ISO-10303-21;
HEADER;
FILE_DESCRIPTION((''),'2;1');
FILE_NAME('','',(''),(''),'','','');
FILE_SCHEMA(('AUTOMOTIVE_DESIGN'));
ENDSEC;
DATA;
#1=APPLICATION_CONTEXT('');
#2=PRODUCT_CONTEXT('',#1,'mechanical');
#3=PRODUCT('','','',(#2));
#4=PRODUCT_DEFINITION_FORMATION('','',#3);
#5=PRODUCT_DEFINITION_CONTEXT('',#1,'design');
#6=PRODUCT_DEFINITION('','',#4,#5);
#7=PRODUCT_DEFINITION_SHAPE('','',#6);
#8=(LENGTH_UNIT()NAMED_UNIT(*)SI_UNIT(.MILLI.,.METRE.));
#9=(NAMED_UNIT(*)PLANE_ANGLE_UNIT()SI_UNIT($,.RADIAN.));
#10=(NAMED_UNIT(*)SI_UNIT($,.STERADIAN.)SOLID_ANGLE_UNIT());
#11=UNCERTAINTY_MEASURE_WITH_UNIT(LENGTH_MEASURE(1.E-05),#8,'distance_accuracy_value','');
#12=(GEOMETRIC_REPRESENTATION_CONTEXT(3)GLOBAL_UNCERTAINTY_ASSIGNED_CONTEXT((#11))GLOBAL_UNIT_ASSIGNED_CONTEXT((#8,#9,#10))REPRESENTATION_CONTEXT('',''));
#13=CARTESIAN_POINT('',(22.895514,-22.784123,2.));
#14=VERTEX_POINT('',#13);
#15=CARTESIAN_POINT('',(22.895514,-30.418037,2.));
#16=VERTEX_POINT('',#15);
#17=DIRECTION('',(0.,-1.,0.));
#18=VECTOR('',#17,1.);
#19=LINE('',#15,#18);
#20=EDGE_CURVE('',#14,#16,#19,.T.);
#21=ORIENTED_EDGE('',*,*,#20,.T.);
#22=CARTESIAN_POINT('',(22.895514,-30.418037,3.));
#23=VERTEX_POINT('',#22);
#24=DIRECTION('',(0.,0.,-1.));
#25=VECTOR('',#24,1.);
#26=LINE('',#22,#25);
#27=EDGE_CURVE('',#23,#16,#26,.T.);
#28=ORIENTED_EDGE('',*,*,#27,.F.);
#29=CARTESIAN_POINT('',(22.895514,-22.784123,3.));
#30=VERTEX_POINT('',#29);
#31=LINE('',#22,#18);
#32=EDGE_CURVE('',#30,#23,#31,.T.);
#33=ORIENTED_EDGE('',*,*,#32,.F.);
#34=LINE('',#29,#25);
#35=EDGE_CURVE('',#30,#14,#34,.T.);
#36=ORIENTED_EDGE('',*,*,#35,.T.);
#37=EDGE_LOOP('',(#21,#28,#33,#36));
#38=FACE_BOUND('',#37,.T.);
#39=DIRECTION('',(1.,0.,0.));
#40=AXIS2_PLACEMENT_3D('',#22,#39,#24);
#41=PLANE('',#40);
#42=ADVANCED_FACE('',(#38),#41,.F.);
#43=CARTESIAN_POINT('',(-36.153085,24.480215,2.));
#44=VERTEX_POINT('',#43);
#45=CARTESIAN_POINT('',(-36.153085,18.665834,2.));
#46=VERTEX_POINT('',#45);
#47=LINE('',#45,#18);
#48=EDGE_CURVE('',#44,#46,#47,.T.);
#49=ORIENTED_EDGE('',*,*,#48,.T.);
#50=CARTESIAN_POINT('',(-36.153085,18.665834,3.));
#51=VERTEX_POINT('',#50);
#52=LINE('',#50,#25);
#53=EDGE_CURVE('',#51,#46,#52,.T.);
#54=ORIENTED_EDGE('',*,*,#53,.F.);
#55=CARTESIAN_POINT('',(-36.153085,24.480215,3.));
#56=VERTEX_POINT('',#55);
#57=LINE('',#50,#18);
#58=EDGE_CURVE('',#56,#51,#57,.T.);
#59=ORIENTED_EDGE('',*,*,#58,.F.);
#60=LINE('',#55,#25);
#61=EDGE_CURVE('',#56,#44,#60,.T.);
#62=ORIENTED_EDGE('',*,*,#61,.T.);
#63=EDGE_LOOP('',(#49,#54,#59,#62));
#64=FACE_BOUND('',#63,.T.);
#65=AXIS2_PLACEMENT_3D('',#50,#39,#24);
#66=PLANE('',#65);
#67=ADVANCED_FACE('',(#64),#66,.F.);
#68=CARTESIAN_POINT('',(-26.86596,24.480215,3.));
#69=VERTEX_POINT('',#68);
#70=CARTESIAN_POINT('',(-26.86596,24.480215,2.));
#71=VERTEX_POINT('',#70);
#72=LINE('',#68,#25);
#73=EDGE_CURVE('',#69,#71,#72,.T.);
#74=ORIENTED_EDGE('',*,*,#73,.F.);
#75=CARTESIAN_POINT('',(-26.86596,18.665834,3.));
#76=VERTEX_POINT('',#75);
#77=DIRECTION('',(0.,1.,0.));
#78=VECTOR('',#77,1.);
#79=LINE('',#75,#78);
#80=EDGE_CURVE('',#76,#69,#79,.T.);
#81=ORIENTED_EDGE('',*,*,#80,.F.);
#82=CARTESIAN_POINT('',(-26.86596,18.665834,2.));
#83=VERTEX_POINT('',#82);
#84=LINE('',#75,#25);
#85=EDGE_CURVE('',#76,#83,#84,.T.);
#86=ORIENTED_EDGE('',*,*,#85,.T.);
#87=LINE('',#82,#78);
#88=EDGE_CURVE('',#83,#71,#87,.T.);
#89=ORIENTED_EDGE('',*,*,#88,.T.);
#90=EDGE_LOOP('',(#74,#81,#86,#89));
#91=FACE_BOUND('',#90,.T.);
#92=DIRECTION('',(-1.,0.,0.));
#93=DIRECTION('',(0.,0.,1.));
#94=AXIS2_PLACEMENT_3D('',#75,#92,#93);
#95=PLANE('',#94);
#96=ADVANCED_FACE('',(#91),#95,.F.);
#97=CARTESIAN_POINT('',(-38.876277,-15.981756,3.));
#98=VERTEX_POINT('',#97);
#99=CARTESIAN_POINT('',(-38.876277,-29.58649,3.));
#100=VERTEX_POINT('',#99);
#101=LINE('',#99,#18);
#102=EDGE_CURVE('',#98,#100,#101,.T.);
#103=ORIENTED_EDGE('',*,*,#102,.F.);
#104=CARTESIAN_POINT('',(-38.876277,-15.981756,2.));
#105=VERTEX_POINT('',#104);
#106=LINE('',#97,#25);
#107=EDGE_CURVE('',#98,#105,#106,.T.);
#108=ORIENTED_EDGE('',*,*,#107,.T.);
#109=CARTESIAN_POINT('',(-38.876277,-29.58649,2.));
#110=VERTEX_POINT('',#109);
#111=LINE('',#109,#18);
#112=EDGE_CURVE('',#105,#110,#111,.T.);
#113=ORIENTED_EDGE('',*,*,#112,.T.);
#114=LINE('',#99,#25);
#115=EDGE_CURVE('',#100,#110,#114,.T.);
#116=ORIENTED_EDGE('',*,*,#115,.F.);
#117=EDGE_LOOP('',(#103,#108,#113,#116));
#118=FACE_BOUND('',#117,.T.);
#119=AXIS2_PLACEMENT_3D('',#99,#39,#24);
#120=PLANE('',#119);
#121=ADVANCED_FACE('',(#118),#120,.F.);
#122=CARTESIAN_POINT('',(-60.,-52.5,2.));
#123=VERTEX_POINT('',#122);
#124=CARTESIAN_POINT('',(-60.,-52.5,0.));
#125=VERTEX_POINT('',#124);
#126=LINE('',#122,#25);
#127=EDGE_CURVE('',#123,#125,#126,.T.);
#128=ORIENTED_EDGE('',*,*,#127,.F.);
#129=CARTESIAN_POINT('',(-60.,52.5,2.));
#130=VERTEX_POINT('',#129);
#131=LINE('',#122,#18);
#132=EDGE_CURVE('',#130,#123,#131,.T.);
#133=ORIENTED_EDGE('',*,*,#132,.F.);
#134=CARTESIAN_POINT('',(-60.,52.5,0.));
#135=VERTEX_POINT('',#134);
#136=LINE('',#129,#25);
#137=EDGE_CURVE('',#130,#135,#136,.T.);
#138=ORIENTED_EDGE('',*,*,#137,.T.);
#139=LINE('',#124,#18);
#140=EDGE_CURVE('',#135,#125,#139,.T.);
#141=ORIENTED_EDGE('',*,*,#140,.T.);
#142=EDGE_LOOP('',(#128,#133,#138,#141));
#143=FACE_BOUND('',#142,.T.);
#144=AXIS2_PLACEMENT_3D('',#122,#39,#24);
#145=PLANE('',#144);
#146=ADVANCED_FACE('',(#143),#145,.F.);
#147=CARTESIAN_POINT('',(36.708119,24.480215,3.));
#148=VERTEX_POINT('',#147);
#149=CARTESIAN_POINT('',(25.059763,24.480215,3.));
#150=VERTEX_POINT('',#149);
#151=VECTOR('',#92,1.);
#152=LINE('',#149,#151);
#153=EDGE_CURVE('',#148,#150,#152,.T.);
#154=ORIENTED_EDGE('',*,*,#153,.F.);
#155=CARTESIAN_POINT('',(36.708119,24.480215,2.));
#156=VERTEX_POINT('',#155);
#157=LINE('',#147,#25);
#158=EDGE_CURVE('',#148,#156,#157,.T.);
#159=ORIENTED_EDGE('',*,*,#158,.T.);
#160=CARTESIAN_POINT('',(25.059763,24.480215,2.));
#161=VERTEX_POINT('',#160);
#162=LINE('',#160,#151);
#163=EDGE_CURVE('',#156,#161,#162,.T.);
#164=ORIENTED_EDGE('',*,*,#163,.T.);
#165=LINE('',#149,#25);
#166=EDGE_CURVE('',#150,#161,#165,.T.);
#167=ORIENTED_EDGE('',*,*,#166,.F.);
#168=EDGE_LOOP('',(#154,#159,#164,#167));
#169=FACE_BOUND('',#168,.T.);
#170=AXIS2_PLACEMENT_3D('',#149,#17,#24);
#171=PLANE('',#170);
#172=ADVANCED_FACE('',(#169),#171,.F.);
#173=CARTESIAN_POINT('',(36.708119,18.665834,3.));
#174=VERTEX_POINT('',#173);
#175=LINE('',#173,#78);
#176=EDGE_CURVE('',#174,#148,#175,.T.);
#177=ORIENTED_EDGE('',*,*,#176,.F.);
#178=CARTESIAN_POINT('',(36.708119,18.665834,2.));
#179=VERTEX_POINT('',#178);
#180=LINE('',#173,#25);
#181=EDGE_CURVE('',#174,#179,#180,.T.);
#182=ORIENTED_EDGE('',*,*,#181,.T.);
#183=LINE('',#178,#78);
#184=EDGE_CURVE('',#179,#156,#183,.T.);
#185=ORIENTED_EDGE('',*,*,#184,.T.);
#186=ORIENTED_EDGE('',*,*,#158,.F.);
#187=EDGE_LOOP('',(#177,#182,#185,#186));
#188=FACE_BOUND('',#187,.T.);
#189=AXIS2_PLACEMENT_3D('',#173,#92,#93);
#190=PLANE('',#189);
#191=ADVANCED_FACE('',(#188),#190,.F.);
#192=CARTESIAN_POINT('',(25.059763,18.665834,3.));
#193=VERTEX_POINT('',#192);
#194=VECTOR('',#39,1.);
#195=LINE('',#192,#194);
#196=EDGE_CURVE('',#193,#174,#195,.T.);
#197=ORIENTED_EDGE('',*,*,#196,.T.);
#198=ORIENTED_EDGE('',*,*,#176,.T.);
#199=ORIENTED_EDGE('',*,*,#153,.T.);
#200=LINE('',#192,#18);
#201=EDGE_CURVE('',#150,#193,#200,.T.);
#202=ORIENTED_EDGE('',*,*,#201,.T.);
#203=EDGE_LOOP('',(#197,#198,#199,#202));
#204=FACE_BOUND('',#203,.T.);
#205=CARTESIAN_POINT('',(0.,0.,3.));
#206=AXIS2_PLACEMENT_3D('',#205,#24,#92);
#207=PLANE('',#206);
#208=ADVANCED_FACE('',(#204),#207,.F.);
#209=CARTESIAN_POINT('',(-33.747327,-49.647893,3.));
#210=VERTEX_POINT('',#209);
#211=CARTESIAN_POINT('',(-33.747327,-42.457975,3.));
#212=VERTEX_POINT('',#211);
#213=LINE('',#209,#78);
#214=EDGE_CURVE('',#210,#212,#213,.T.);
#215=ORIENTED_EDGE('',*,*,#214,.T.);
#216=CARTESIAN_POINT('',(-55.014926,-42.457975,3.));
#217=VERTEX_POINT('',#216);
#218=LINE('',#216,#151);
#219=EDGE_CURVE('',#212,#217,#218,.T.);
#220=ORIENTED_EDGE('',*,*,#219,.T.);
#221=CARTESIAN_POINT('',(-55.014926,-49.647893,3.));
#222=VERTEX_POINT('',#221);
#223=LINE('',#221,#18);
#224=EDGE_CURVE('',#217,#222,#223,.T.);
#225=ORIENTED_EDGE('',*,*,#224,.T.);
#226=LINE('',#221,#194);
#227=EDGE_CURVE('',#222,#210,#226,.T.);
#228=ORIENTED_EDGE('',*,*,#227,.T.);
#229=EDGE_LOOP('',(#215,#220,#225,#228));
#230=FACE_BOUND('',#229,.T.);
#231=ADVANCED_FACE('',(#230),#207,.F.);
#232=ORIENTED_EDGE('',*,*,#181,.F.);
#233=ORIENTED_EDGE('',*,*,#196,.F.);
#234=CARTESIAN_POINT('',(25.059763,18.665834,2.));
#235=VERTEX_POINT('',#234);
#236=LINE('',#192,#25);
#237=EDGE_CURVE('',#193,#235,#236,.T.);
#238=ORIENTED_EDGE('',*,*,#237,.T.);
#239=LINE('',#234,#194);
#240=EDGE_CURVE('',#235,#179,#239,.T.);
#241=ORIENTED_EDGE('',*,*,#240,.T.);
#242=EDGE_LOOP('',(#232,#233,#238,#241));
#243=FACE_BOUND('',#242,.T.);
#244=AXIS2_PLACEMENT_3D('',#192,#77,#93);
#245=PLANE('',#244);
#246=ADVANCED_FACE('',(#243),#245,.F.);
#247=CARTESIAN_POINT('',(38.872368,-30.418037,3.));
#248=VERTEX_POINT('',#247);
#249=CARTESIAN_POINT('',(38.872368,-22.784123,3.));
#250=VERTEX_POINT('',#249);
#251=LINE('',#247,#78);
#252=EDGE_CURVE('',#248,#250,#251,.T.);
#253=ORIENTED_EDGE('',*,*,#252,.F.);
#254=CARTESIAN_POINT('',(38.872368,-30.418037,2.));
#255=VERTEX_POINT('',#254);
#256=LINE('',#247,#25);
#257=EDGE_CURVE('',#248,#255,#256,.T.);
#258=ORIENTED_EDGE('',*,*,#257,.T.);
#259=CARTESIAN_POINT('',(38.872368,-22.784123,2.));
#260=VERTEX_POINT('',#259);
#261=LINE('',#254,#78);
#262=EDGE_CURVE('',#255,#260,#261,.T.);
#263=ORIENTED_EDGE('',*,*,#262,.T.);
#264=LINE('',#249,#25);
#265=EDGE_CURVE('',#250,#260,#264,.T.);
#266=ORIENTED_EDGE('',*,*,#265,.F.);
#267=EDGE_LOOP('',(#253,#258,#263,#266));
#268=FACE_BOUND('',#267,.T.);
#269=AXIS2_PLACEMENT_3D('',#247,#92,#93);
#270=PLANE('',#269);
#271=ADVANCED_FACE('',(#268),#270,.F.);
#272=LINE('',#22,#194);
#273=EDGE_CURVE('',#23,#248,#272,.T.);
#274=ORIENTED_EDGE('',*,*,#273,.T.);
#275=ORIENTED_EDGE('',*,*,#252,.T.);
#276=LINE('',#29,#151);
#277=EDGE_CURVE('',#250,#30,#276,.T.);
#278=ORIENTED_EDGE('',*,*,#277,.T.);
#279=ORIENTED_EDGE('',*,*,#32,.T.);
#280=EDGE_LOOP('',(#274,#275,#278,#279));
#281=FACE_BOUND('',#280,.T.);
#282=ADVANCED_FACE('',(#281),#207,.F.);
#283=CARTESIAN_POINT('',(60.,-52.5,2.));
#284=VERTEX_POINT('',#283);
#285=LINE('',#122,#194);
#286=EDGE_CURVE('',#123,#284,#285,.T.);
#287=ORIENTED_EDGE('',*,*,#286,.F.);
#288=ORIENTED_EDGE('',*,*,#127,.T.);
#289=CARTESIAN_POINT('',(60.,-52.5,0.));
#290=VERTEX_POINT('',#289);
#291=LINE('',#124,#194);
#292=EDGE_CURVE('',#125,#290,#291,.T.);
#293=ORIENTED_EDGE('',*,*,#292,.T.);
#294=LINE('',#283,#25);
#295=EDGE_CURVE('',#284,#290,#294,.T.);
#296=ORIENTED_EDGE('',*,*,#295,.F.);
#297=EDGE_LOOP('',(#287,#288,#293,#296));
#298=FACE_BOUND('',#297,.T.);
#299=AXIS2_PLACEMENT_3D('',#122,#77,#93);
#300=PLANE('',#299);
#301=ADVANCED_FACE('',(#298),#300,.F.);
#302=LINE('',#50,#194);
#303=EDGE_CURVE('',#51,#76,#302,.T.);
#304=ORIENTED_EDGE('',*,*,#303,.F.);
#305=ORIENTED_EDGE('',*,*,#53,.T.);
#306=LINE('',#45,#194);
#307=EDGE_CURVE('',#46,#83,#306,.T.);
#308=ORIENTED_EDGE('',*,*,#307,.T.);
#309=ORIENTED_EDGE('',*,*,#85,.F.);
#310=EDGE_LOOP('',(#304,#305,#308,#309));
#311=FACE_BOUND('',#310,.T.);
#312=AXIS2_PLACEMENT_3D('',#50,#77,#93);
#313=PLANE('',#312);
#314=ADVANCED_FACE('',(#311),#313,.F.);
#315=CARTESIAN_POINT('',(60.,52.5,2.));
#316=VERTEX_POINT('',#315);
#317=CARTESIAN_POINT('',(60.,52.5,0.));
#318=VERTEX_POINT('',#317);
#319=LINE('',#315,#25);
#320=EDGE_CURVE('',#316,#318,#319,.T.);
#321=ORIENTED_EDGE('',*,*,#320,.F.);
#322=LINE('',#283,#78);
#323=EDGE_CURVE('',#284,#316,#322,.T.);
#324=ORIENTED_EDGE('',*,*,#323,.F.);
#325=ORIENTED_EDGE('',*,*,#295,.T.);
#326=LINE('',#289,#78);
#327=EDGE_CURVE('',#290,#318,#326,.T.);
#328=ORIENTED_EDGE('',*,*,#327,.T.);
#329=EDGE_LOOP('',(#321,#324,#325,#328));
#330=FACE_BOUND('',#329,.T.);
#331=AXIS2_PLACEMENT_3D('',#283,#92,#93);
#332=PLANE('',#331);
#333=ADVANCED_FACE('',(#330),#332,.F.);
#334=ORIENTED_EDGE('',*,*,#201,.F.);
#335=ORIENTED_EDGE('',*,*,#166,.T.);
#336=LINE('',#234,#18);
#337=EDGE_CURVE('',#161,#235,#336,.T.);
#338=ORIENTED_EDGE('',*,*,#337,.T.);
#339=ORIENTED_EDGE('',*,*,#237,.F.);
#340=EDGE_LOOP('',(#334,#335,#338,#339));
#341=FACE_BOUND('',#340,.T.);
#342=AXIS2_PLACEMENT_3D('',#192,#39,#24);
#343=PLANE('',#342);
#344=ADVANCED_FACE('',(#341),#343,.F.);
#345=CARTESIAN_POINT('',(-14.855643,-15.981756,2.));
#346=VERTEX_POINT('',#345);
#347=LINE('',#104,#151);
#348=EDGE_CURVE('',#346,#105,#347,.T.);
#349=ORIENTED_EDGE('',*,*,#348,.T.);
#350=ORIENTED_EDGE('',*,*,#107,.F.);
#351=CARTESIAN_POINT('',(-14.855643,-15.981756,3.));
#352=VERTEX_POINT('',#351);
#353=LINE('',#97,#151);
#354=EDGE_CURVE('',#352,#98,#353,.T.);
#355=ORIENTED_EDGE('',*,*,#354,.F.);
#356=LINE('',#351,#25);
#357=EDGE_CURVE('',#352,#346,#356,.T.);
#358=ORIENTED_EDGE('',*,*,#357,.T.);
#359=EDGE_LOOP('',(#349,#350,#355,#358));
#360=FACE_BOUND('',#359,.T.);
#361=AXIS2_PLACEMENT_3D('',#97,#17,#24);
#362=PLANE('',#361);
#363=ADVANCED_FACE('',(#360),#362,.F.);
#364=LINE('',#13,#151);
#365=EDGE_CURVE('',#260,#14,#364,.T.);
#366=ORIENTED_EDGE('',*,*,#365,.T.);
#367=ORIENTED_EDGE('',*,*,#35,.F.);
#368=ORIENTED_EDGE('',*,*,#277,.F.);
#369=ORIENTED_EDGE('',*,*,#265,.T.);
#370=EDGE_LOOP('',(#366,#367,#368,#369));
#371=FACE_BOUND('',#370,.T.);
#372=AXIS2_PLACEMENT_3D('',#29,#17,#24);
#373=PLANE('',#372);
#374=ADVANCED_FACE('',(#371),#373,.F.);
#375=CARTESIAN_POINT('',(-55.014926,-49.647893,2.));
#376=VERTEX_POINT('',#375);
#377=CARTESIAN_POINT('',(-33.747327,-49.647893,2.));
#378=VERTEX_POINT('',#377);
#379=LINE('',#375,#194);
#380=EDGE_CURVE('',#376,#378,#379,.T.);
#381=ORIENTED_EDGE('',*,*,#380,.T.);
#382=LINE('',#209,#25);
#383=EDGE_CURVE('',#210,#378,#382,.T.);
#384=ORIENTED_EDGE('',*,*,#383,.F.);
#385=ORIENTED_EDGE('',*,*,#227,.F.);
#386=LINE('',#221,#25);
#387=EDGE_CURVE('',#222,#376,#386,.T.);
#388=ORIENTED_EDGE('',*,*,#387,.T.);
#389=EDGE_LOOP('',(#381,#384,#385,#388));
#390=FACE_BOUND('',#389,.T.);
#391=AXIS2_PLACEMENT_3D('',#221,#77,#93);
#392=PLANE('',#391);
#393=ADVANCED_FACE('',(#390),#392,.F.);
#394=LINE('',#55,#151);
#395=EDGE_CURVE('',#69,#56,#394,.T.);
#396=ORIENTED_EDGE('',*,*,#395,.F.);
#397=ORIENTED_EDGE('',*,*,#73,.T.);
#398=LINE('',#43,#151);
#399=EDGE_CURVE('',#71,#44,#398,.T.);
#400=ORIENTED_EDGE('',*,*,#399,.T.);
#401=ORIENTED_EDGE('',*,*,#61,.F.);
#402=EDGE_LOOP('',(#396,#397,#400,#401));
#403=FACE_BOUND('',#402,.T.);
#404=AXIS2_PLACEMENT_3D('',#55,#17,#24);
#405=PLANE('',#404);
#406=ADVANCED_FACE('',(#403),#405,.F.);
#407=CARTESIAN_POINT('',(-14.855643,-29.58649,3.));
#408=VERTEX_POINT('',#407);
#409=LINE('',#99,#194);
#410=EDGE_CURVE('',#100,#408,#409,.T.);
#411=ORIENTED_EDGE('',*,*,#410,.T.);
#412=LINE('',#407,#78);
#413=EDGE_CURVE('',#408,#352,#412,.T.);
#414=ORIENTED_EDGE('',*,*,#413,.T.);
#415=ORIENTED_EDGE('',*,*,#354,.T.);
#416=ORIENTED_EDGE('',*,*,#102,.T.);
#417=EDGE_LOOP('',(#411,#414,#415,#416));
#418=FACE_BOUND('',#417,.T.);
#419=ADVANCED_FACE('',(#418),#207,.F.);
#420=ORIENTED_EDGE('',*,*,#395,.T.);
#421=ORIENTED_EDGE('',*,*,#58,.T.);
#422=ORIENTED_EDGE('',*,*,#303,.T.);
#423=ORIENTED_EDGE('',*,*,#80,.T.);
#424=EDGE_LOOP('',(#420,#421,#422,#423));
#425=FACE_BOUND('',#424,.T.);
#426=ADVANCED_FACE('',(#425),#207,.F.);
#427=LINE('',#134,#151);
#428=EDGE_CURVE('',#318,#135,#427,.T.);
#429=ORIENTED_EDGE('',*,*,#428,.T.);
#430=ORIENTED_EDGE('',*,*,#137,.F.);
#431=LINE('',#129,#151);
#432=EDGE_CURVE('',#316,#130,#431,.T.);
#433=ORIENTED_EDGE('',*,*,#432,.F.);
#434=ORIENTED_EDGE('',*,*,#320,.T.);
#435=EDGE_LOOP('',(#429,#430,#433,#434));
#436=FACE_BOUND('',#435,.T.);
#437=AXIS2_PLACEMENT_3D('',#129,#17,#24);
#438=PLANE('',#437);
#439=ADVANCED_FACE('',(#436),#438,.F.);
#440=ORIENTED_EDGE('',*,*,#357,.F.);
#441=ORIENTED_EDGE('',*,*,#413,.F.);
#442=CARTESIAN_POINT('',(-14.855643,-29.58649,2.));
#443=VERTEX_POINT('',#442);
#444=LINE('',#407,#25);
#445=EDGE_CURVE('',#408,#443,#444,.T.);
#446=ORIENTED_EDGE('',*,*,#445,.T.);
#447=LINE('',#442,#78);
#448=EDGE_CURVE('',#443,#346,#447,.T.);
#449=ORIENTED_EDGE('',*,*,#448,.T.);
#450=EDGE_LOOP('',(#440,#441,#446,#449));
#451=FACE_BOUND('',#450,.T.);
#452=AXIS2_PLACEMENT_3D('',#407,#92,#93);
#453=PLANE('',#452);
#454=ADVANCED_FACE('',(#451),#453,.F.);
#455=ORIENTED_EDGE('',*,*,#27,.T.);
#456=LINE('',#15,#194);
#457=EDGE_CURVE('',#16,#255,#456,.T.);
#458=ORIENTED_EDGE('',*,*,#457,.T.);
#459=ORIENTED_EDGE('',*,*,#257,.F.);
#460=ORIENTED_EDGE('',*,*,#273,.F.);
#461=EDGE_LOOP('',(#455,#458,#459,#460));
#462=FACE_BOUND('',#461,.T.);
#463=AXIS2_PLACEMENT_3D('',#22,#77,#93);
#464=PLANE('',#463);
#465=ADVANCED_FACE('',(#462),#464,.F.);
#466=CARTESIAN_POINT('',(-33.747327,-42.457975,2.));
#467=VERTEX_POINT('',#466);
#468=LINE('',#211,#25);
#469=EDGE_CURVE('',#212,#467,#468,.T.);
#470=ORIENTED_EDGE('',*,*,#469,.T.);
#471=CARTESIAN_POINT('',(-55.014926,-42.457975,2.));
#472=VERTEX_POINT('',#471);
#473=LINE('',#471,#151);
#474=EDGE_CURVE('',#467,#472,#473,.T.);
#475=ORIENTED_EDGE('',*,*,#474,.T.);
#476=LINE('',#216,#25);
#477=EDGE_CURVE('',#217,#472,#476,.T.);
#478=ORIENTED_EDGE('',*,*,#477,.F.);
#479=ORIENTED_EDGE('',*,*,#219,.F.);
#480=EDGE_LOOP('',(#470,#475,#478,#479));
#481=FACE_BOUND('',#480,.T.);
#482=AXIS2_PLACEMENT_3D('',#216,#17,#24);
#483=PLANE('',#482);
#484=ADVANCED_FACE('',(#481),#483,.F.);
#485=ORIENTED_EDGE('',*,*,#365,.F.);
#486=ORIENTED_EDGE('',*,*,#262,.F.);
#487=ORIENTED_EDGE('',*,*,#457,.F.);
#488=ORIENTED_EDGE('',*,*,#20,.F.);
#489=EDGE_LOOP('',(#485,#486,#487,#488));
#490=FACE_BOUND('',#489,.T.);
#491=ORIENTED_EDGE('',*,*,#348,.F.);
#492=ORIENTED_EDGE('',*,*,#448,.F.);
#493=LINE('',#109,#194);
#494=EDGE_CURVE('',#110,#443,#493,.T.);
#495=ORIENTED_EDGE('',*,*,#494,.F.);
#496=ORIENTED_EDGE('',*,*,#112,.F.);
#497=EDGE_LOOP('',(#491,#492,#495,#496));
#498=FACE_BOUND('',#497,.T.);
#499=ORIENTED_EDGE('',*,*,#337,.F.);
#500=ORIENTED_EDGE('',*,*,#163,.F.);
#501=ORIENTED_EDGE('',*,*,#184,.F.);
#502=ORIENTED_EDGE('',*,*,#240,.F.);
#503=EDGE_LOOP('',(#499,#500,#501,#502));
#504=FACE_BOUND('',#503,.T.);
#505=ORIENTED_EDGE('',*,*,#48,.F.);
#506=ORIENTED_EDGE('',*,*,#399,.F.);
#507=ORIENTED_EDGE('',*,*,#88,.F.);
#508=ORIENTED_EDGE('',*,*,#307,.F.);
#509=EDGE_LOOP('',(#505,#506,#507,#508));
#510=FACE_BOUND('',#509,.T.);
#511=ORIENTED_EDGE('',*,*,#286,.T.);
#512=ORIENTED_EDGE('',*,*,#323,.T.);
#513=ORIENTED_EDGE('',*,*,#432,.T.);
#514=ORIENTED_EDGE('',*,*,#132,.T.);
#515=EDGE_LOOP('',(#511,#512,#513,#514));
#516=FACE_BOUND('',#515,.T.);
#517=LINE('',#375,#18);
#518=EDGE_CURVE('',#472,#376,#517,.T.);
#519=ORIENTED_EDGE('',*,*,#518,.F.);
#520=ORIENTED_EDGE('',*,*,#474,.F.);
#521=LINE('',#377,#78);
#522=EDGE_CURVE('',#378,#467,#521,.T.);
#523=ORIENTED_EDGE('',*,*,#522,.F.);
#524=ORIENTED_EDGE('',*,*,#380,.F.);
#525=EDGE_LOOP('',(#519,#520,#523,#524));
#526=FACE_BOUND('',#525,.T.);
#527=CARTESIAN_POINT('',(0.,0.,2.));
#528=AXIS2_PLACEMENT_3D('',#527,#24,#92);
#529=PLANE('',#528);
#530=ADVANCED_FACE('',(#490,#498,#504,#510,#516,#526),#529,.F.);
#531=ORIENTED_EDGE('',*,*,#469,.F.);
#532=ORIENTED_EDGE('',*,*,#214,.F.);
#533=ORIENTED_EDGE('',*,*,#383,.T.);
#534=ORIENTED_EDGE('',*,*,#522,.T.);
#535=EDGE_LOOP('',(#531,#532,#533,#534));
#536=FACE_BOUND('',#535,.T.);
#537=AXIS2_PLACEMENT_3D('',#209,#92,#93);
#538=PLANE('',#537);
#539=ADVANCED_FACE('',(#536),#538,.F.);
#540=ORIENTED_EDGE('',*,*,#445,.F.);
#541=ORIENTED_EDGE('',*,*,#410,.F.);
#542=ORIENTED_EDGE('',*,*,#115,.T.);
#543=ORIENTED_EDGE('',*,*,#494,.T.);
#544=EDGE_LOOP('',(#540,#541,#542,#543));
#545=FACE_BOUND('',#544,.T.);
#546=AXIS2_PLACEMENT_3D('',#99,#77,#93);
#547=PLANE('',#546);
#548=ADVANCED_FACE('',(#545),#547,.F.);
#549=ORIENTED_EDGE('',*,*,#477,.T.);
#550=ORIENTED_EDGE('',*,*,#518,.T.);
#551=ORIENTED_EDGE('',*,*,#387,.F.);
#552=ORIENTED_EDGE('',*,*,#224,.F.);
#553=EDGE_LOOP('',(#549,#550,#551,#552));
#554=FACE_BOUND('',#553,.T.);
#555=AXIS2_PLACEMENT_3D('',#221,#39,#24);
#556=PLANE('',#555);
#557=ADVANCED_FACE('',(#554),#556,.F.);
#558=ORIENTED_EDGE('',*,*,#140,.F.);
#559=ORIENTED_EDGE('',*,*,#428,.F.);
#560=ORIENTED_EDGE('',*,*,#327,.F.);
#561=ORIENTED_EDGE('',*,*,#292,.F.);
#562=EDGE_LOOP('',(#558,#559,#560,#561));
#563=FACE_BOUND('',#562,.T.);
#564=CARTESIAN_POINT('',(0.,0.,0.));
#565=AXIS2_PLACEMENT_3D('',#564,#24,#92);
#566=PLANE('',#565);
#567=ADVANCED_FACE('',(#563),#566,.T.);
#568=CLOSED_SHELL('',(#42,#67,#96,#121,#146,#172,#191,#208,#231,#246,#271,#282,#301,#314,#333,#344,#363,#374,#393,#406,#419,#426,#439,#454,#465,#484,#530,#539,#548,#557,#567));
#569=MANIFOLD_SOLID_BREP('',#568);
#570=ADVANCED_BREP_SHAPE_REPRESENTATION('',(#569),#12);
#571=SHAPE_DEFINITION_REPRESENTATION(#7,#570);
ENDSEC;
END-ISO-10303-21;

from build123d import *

# Parameters (mm, degrees)
SKETCH1_W           = 120
SKETCH1_H           = 105
BOSS_EXTRUDE1_DEPTH = 2
SKETCH2_W           = 24.020633768
SKETCH2_H           = 13.604733883
SKETCH2_W_2         = 15.976853837
SKETCH2_H_2         = 7.633913726
SKETCH2_W_3         = 9.287125415
SKETCH2_H_3         = 5.814380322
SKETCH2_W_4         = 11.648356386
SKETCH2_W_5         = 21.267599873
SKETCH2_H_4         = 7.189917071
BOSS_EXTRUDE2_DEPTH = 1


with BuildPart() as part:
    # Sketch1 → Boss-Extrude1 (new body)
    with BuildSketch(Plane.XY):
        Rectangle(SKETCH1_W, SKETCH1_H)
    extrude(amount=BOSS_EXTRUDE1_DEPTH)

    # Sketch2 → Boss-Extrude2 (add)
    with BuildSketch(Plane.XY.offset(2)):
        with Locations((-26.865959822, -22.784123417)):
            Rectangle(SKETCH2_W, SKETCH2_H)
        with Locations((30.883941206, -26.60108028)):
            Rectangle(SKETCH2_W_2, SKETCH2_H_2)
        with Locations((-31.509522529, 21.57302436)):
            Rectangle(SKETCH2_W_3, SKETCH2_H_3)
        with Locations((30.883941206, 21.57302436)):
            Rectangle(SKETCH2_W_4, SKETCH2_H_3)
        with Locations((-44.38112644, -46.052934011)):
            Rectangle(SKETCH2_W_5, SKETCH2_H_4)
    extrude(amount=BOSS_EXTRUDE2_DEPTH)


solid = part.part
